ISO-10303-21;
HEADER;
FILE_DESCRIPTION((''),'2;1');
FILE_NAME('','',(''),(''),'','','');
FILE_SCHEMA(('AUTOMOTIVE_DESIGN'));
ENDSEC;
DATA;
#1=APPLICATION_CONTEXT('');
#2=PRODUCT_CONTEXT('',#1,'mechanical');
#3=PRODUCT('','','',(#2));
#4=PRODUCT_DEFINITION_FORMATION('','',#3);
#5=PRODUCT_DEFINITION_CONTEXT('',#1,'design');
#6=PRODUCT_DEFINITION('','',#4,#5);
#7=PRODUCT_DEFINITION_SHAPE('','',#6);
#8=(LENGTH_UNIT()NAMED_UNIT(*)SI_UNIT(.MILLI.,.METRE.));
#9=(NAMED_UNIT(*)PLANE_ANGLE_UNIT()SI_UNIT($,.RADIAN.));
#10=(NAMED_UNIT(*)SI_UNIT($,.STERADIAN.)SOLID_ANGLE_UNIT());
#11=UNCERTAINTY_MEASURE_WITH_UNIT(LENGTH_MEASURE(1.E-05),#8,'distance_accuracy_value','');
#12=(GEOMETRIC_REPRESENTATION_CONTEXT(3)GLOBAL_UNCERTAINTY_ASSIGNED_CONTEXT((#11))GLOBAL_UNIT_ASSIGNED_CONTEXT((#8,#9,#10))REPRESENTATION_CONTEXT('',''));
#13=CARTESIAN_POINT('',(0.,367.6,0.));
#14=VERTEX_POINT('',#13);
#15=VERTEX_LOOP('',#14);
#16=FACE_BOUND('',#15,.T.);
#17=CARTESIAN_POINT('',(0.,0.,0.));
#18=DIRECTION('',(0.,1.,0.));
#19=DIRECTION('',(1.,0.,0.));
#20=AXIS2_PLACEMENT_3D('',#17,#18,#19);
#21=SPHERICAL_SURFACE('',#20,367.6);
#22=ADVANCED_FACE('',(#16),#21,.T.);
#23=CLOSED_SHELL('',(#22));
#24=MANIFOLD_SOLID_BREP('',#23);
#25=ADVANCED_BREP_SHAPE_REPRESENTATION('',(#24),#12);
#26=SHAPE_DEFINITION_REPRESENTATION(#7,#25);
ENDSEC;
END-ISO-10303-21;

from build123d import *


with BuildPart() as part:
    # Sketch2 → Revolve7 (revolve)
    with BuildSketch(Plane.XY):
        with BuildLine():
            Line((0, 367.6), (0, -367.6))
            ThreePointArc((0, -367.6), (367.6, 0), (0, 367.6))
        make_face()
    revolve(axis=Axis((0, 367.6, 0), (0, -1, 0)))


solid = part.part
